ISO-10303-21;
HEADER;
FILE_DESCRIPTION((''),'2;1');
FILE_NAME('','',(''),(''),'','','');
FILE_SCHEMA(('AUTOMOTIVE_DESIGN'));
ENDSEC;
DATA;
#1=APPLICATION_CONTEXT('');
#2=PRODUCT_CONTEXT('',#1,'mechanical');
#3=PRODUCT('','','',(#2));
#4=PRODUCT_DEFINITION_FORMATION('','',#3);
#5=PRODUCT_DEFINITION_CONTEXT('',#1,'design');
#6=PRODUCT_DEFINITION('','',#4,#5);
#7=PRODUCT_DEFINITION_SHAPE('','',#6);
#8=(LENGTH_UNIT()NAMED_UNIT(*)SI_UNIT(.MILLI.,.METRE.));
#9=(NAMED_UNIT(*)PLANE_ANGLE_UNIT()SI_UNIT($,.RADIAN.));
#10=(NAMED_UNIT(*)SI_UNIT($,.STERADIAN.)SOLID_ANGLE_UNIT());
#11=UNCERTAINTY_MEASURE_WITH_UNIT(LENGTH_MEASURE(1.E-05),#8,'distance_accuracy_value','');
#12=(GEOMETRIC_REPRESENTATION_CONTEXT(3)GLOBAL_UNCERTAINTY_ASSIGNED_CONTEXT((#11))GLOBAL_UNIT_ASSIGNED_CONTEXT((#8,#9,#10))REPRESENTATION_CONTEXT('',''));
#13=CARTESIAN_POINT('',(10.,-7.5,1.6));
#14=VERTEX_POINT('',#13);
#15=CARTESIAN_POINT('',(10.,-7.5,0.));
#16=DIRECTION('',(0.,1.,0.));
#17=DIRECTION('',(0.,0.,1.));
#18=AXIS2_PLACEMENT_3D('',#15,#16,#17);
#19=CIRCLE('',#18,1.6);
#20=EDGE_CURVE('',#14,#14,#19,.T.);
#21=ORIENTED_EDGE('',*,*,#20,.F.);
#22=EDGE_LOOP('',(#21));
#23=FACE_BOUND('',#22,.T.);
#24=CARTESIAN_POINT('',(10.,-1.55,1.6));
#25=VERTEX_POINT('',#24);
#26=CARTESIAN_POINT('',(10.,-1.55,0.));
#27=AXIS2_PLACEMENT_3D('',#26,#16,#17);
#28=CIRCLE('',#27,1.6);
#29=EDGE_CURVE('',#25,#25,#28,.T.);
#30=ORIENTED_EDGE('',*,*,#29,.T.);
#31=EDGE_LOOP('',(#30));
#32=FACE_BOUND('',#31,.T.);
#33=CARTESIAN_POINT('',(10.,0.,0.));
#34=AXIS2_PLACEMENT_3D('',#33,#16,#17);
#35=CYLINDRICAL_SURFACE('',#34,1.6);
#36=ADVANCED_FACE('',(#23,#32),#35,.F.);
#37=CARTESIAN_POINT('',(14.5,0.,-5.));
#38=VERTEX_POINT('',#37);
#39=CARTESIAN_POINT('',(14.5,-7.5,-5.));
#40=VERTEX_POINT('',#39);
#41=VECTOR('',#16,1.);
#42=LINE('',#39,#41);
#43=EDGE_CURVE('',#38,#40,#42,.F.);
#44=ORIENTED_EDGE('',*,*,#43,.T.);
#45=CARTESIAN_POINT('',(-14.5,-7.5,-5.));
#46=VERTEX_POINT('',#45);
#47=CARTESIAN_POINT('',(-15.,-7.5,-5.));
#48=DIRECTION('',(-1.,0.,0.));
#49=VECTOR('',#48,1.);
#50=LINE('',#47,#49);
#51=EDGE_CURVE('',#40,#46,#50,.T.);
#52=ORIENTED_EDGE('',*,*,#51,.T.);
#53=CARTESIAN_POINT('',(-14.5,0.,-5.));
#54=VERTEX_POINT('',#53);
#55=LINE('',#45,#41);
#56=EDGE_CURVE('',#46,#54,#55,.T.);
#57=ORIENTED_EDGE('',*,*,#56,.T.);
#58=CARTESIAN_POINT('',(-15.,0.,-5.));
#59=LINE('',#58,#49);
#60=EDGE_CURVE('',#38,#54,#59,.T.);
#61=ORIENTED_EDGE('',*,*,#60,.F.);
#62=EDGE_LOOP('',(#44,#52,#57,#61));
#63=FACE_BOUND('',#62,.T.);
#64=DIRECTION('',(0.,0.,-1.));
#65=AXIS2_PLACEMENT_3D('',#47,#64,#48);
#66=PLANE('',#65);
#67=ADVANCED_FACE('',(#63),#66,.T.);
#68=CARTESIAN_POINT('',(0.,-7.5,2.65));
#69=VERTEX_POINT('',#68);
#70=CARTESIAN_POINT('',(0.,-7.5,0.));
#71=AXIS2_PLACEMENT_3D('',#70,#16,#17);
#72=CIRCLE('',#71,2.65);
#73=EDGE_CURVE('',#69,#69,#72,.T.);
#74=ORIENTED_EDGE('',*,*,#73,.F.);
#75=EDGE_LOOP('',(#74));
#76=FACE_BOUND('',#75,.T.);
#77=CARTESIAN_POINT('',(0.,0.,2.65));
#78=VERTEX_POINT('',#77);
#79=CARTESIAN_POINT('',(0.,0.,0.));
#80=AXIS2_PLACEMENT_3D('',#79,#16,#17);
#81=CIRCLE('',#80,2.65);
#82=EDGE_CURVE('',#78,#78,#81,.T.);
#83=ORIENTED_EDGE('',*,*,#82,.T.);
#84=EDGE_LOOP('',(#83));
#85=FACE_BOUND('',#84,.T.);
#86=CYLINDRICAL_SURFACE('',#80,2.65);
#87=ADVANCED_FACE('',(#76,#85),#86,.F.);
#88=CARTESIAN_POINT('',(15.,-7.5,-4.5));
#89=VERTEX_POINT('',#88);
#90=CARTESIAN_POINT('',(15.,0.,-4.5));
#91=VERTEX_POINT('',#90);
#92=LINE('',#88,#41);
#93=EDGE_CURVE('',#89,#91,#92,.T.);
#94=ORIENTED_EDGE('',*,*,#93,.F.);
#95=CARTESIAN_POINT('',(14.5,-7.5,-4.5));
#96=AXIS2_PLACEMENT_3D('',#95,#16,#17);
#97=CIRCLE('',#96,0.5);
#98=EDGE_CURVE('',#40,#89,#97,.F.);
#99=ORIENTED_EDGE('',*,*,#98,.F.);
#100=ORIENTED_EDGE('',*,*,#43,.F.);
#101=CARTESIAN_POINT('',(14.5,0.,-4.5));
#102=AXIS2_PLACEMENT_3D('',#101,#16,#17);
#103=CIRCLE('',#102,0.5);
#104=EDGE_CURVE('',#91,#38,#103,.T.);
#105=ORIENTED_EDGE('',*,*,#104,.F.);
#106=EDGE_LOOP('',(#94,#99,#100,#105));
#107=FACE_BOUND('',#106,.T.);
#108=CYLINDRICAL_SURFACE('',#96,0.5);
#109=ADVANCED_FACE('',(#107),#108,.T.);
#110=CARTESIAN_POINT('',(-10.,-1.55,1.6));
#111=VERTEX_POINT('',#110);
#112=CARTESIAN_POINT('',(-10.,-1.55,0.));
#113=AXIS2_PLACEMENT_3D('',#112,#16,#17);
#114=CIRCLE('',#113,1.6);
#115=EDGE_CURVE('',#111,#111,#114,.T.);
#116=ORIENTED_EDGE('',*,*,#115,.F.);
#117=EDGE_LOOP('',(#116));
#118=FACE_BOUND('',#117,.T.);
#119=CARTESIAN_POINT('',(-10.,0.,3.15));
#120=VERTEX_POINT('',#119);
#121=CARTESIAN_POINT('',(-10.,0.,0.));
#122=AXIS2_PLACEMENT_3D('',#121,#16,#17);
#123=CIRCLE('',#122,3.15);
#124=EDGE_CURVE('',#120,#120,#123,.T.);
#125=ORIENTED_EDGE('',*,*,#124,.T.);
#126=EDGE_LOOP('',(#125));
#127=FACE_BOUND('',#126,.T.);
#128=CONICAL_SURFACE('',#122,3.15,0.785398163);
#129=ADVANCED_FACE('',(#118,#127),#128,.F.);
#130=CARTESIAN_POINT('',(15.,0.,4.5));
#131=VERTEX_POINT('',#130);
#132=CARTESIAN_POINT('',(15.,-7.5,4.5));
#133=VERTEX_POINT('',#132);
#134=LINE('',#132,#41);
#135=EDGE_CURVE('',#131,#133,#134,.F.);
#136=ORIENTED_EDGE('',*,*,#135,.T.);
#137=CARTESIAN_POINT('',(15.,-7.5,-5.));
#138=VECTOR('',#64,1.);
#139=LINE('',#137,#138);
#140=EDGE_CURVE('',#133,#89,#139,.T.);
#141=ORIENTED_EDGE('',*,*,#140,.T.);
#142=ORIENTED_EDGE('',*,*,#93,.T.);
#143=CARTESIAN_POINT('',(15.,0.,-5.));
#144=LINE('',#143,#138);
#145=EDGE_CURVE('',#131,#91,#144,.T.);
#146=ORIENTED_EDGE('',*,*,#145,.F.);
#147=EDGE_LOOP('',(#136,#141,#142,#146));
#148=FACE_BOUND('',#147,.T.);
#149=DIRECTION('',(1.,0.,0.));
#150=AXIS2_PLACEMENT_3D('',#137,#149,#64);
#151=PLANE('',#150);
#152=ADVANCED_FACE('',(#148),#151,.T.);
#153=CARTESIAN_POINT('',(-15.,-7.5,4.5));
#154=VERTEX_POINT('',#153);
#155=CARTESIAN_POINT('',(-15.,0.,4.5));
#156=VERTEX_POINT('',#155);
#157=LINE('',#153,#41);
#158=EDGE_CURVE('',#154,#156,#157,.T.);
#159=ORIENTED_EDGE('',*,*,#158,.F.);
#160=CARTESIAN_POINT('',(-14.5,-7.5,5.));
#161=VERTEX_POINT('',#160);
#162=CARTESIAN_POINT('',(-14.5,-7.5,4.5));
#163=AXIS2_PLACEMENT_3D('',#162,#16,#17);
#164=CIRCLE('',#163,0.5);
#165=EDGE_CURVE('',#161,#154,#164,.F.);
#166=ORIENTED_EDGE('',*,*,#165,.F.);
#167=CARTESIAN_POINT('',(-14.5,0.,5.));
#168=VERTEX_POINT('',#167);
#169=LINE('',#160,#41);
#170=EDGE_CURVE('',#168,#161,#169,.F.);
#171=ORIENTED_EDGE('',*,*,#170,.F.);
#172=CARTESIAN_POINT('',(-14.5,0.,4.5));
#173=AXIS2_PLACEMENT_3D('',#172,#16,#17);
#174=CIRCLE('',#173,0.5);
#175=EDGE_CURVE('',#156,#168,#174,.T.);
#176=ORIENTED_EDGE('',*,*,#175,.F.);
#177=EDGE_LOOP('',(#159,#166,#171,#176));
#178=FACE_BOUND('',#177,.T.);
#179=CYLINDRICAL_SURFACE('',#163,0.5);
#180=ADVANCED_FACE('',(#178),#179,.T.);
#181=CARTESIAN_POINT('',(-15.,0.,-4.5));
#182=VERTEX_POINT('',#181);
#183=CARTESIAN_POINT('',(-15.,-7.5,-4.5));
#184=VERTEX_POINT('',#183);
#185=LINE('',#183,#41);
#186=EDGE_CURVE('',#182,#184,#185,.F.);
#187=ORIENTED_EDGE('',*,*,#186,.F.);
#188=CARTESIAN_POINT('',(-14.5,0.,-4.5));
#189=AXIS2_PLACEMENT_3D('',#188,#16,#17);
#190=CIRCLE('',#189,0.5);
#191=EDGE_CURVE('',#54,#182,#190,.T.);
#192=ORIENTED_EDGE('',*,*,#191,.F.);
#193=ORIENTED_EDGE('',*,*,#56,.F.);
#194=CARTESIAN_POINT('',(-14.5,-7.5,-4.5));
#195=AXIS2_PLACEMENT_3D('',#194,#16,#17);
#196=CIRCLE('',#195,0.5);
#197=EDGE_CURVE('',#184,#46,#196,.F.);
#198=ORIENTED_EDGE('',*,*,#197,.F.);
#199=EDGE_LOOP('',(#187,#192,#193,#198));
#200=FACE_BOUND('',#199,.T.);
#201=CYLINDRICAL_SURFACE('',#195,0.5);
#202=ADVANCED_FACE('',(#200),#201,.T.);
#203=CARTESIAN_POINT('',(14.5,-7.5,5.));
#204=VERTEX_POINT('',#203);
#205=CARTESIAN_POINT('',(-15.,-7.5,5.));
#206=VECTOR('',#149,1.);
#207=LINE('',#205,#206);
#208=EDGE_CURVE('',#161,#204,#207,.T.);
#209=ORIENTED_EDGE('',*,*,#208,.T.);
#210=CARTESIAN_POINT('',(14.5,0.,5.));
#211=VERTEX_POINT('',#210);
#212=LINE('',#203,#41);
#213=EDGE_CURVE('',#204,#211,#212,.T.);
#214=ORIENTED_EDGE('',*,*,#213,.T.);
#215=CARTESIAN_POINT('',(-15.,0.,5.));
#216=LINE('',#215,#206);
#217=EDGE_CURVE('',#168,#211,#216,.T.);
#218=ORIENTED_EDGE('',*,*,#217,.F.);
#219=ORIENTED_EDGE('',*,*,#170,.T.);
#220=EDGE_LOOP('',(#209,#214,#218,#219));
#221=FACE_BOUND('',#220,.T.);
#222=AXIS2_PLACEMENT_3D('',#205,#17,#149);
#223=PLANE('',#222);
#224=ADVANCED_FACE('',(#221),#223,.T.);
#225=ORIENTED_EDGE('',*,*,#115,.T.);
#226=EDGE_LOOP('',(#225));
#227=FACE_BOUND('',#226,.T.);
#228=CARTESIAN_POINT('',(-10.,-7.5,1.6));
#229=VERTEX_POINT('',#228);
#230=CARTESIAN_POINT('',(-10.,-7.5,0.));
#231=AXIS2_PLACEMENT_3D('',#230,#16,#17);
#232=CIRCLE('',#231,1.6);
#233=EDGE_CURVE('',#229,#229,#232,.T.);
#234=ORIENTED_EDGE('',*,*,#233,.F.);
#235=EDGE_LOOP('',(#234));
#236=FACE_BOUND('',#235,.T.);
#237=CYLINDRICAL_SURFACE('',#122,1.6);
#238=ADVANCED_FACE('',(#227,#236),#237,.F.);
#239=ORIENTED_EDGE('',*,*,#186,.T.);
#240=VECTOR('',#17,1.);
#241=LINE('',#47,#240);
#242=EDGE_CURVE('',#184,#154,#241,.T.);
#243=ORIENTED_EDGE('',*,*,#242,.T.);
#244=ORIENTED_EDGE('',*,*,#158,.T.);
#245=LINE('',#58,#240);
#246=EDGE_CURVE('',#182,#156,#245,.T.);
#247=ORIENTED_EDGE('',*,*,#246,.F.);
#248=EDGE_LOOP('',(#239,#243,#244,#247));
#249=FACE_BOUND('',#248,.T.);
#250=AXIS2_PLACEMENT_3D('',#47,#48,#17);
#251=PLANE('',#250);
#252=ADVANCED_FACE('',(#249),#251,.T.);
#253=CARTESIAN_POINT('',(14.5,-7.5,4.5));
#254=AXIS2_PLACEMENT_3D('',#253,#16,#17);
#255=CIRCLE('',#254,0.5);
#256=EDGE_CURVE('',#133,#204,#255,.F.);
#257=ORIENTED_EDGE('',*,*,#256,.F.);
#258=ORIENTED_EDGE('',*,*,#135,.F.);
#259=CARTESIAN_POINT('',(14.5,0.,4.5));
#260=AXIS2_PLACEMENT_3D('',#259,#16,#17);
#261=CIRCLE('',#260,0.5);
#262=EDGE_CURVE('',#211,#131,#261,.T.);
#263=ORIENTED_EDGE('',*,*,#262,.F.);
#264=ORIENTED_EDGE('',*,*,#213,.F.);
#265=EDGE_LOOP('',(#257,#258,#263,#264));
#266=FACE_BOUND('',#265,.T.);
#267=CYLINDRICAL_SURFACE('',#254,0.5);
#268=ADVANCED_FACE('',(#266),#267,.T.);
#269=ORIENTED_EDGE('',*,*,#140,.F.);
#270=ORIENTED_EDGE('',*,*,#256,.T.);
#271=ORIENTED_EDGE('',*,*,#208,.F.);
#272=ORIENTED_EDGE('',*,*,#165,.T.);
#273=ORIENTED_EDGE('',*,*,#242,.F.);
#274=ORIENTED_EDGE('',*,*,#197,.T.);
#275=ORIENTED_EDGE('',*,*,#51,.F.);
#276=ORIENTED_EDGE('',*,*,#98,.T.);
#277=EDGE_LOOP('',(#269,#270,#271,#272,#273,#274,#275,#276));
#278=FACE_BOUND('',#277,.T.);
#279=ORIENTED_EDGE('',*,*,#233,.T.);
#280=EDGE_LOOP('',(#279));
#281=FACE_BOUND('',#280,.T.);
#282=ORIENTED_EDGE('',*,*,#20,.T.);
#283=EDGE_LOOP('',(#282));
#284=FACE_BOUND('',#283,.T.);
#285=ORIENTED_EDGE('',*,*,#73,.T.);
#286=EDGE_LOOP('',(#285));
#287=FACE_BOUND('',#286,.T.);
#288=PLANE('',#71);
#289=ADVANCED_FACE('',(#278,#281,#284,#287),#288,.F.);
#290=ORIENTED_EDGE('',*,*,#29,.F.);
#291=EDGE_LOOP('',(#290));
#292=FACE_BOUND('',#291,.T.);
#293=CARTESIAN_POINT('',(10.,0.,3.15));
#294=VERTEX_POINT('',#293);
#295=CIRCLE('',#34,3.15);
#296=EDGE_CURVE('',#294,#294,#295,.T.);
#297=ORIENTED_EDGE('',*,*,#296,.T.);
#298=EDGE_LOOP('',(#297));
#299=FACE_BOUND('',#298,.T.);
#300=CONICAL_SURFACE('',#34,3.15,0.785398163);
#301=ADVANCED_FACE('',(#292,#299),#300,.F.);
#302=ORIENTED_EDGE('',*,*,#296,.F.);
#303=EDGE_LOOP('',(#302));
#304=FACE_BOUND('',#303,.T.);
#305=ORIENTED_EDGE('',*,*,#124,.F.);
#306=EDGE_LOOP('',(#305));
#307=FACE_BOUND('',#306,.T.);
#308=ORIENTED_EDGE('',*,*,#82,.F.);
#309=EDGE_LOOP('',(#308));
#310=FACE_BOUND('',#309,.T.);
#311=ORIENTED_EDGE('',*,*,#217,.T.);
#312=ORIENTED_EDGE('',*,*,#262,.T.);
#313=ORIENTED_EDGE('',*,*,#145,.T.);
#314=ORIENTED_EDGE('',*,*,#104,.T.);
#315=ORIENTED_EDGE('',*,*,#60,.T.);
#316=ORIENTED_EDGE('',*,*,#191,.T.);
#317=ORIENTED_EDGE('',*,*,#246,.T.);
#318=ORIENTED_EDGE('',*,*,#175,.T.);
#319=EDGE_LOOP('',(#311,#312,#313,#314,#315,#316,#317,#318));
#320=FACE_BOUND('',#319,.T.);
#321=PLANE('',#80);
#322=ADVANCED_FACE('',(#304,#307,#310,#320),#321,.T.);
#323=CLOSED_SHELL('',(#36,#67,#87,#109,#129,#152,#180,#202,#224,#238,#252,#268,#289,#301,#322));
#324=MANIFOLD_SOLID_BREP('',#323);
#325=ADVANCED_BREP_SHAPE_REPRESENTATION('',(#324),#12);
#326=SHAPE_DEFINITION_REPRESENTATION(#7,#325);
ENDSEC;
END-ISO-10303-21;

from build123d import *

# Parameters (mm, degrees)
SKETCH1_W                                       = 30
SKETCH1_H                                       = 10
BOSS_EXTRUDE1_DEPTH                             = 7.5
CSK_FOR_M3_FLAT_HEAD_MACHINE_SCREW1_D           = 3.2
CSK_FOR_M3_FLAT_HEAD_MACHINE_SCREW1_CSINK_D     = 6.3
CSK_FOR_M3_FLAT_HEAD_MACHINE_SCREW1_CSINK_ANGLE = 90
M5_CLEARANCE_HOLE1_D                            = 5.3
FILLET1_R                                       = 0.5


with BuildPart() as part:
    # Sketch1 → Boss-Extrude1 (new body)
    with BuildSketch(Plane(origin=(0, 0, 0), x_dir=(1, 0, 0), z_dir=(0, 1, 0))):
        Rectangle(SKETCH1_W, SKETCH1_H)
    extrude(amount=-BOSS_EXTRUDE1_DEPTH)

    # CSK for M3 Flat Head Machine Screw1 (through all)
    with Locations(Plane(origin=(-10, 0, 0), x_dir=(0, 0, 1), z_dir=(0, 1, 0))):
        with Locations((0, 0), (0, 20)):
            CounterSinkHole(CSK_FOR_M3_FLAT_HEAD_MACHINE_SCREW1_D / 2, CSK_FOR_M3_FLAT_HEAD_MACHINE_SCREW1_CSINK_D / 2, counter_sink_angle=CSK_FOR_M3_FLAT_HEAD_MACHINE_SCREW1_CSINK_ANGLE)

    # M5 Clearance Hole1 (through all)
    with Locations(Plane.ZX):
        with Locations((0, 0)):
            Hole(M5_CLEARANCE_HOLE1_D / 2)

    # Fillet1
    fillet1_edges = [part.edges().sort_by_distance(p)[0] for p in [
        (-15, -3.75, -5),
        (15, -3.75, -5),
        (15, -3.75, 5),
        (-15, -3.75, 5),
    ]]
    fillet(fillet1_edges, radius=FILLET1_R)


solid = part.part
